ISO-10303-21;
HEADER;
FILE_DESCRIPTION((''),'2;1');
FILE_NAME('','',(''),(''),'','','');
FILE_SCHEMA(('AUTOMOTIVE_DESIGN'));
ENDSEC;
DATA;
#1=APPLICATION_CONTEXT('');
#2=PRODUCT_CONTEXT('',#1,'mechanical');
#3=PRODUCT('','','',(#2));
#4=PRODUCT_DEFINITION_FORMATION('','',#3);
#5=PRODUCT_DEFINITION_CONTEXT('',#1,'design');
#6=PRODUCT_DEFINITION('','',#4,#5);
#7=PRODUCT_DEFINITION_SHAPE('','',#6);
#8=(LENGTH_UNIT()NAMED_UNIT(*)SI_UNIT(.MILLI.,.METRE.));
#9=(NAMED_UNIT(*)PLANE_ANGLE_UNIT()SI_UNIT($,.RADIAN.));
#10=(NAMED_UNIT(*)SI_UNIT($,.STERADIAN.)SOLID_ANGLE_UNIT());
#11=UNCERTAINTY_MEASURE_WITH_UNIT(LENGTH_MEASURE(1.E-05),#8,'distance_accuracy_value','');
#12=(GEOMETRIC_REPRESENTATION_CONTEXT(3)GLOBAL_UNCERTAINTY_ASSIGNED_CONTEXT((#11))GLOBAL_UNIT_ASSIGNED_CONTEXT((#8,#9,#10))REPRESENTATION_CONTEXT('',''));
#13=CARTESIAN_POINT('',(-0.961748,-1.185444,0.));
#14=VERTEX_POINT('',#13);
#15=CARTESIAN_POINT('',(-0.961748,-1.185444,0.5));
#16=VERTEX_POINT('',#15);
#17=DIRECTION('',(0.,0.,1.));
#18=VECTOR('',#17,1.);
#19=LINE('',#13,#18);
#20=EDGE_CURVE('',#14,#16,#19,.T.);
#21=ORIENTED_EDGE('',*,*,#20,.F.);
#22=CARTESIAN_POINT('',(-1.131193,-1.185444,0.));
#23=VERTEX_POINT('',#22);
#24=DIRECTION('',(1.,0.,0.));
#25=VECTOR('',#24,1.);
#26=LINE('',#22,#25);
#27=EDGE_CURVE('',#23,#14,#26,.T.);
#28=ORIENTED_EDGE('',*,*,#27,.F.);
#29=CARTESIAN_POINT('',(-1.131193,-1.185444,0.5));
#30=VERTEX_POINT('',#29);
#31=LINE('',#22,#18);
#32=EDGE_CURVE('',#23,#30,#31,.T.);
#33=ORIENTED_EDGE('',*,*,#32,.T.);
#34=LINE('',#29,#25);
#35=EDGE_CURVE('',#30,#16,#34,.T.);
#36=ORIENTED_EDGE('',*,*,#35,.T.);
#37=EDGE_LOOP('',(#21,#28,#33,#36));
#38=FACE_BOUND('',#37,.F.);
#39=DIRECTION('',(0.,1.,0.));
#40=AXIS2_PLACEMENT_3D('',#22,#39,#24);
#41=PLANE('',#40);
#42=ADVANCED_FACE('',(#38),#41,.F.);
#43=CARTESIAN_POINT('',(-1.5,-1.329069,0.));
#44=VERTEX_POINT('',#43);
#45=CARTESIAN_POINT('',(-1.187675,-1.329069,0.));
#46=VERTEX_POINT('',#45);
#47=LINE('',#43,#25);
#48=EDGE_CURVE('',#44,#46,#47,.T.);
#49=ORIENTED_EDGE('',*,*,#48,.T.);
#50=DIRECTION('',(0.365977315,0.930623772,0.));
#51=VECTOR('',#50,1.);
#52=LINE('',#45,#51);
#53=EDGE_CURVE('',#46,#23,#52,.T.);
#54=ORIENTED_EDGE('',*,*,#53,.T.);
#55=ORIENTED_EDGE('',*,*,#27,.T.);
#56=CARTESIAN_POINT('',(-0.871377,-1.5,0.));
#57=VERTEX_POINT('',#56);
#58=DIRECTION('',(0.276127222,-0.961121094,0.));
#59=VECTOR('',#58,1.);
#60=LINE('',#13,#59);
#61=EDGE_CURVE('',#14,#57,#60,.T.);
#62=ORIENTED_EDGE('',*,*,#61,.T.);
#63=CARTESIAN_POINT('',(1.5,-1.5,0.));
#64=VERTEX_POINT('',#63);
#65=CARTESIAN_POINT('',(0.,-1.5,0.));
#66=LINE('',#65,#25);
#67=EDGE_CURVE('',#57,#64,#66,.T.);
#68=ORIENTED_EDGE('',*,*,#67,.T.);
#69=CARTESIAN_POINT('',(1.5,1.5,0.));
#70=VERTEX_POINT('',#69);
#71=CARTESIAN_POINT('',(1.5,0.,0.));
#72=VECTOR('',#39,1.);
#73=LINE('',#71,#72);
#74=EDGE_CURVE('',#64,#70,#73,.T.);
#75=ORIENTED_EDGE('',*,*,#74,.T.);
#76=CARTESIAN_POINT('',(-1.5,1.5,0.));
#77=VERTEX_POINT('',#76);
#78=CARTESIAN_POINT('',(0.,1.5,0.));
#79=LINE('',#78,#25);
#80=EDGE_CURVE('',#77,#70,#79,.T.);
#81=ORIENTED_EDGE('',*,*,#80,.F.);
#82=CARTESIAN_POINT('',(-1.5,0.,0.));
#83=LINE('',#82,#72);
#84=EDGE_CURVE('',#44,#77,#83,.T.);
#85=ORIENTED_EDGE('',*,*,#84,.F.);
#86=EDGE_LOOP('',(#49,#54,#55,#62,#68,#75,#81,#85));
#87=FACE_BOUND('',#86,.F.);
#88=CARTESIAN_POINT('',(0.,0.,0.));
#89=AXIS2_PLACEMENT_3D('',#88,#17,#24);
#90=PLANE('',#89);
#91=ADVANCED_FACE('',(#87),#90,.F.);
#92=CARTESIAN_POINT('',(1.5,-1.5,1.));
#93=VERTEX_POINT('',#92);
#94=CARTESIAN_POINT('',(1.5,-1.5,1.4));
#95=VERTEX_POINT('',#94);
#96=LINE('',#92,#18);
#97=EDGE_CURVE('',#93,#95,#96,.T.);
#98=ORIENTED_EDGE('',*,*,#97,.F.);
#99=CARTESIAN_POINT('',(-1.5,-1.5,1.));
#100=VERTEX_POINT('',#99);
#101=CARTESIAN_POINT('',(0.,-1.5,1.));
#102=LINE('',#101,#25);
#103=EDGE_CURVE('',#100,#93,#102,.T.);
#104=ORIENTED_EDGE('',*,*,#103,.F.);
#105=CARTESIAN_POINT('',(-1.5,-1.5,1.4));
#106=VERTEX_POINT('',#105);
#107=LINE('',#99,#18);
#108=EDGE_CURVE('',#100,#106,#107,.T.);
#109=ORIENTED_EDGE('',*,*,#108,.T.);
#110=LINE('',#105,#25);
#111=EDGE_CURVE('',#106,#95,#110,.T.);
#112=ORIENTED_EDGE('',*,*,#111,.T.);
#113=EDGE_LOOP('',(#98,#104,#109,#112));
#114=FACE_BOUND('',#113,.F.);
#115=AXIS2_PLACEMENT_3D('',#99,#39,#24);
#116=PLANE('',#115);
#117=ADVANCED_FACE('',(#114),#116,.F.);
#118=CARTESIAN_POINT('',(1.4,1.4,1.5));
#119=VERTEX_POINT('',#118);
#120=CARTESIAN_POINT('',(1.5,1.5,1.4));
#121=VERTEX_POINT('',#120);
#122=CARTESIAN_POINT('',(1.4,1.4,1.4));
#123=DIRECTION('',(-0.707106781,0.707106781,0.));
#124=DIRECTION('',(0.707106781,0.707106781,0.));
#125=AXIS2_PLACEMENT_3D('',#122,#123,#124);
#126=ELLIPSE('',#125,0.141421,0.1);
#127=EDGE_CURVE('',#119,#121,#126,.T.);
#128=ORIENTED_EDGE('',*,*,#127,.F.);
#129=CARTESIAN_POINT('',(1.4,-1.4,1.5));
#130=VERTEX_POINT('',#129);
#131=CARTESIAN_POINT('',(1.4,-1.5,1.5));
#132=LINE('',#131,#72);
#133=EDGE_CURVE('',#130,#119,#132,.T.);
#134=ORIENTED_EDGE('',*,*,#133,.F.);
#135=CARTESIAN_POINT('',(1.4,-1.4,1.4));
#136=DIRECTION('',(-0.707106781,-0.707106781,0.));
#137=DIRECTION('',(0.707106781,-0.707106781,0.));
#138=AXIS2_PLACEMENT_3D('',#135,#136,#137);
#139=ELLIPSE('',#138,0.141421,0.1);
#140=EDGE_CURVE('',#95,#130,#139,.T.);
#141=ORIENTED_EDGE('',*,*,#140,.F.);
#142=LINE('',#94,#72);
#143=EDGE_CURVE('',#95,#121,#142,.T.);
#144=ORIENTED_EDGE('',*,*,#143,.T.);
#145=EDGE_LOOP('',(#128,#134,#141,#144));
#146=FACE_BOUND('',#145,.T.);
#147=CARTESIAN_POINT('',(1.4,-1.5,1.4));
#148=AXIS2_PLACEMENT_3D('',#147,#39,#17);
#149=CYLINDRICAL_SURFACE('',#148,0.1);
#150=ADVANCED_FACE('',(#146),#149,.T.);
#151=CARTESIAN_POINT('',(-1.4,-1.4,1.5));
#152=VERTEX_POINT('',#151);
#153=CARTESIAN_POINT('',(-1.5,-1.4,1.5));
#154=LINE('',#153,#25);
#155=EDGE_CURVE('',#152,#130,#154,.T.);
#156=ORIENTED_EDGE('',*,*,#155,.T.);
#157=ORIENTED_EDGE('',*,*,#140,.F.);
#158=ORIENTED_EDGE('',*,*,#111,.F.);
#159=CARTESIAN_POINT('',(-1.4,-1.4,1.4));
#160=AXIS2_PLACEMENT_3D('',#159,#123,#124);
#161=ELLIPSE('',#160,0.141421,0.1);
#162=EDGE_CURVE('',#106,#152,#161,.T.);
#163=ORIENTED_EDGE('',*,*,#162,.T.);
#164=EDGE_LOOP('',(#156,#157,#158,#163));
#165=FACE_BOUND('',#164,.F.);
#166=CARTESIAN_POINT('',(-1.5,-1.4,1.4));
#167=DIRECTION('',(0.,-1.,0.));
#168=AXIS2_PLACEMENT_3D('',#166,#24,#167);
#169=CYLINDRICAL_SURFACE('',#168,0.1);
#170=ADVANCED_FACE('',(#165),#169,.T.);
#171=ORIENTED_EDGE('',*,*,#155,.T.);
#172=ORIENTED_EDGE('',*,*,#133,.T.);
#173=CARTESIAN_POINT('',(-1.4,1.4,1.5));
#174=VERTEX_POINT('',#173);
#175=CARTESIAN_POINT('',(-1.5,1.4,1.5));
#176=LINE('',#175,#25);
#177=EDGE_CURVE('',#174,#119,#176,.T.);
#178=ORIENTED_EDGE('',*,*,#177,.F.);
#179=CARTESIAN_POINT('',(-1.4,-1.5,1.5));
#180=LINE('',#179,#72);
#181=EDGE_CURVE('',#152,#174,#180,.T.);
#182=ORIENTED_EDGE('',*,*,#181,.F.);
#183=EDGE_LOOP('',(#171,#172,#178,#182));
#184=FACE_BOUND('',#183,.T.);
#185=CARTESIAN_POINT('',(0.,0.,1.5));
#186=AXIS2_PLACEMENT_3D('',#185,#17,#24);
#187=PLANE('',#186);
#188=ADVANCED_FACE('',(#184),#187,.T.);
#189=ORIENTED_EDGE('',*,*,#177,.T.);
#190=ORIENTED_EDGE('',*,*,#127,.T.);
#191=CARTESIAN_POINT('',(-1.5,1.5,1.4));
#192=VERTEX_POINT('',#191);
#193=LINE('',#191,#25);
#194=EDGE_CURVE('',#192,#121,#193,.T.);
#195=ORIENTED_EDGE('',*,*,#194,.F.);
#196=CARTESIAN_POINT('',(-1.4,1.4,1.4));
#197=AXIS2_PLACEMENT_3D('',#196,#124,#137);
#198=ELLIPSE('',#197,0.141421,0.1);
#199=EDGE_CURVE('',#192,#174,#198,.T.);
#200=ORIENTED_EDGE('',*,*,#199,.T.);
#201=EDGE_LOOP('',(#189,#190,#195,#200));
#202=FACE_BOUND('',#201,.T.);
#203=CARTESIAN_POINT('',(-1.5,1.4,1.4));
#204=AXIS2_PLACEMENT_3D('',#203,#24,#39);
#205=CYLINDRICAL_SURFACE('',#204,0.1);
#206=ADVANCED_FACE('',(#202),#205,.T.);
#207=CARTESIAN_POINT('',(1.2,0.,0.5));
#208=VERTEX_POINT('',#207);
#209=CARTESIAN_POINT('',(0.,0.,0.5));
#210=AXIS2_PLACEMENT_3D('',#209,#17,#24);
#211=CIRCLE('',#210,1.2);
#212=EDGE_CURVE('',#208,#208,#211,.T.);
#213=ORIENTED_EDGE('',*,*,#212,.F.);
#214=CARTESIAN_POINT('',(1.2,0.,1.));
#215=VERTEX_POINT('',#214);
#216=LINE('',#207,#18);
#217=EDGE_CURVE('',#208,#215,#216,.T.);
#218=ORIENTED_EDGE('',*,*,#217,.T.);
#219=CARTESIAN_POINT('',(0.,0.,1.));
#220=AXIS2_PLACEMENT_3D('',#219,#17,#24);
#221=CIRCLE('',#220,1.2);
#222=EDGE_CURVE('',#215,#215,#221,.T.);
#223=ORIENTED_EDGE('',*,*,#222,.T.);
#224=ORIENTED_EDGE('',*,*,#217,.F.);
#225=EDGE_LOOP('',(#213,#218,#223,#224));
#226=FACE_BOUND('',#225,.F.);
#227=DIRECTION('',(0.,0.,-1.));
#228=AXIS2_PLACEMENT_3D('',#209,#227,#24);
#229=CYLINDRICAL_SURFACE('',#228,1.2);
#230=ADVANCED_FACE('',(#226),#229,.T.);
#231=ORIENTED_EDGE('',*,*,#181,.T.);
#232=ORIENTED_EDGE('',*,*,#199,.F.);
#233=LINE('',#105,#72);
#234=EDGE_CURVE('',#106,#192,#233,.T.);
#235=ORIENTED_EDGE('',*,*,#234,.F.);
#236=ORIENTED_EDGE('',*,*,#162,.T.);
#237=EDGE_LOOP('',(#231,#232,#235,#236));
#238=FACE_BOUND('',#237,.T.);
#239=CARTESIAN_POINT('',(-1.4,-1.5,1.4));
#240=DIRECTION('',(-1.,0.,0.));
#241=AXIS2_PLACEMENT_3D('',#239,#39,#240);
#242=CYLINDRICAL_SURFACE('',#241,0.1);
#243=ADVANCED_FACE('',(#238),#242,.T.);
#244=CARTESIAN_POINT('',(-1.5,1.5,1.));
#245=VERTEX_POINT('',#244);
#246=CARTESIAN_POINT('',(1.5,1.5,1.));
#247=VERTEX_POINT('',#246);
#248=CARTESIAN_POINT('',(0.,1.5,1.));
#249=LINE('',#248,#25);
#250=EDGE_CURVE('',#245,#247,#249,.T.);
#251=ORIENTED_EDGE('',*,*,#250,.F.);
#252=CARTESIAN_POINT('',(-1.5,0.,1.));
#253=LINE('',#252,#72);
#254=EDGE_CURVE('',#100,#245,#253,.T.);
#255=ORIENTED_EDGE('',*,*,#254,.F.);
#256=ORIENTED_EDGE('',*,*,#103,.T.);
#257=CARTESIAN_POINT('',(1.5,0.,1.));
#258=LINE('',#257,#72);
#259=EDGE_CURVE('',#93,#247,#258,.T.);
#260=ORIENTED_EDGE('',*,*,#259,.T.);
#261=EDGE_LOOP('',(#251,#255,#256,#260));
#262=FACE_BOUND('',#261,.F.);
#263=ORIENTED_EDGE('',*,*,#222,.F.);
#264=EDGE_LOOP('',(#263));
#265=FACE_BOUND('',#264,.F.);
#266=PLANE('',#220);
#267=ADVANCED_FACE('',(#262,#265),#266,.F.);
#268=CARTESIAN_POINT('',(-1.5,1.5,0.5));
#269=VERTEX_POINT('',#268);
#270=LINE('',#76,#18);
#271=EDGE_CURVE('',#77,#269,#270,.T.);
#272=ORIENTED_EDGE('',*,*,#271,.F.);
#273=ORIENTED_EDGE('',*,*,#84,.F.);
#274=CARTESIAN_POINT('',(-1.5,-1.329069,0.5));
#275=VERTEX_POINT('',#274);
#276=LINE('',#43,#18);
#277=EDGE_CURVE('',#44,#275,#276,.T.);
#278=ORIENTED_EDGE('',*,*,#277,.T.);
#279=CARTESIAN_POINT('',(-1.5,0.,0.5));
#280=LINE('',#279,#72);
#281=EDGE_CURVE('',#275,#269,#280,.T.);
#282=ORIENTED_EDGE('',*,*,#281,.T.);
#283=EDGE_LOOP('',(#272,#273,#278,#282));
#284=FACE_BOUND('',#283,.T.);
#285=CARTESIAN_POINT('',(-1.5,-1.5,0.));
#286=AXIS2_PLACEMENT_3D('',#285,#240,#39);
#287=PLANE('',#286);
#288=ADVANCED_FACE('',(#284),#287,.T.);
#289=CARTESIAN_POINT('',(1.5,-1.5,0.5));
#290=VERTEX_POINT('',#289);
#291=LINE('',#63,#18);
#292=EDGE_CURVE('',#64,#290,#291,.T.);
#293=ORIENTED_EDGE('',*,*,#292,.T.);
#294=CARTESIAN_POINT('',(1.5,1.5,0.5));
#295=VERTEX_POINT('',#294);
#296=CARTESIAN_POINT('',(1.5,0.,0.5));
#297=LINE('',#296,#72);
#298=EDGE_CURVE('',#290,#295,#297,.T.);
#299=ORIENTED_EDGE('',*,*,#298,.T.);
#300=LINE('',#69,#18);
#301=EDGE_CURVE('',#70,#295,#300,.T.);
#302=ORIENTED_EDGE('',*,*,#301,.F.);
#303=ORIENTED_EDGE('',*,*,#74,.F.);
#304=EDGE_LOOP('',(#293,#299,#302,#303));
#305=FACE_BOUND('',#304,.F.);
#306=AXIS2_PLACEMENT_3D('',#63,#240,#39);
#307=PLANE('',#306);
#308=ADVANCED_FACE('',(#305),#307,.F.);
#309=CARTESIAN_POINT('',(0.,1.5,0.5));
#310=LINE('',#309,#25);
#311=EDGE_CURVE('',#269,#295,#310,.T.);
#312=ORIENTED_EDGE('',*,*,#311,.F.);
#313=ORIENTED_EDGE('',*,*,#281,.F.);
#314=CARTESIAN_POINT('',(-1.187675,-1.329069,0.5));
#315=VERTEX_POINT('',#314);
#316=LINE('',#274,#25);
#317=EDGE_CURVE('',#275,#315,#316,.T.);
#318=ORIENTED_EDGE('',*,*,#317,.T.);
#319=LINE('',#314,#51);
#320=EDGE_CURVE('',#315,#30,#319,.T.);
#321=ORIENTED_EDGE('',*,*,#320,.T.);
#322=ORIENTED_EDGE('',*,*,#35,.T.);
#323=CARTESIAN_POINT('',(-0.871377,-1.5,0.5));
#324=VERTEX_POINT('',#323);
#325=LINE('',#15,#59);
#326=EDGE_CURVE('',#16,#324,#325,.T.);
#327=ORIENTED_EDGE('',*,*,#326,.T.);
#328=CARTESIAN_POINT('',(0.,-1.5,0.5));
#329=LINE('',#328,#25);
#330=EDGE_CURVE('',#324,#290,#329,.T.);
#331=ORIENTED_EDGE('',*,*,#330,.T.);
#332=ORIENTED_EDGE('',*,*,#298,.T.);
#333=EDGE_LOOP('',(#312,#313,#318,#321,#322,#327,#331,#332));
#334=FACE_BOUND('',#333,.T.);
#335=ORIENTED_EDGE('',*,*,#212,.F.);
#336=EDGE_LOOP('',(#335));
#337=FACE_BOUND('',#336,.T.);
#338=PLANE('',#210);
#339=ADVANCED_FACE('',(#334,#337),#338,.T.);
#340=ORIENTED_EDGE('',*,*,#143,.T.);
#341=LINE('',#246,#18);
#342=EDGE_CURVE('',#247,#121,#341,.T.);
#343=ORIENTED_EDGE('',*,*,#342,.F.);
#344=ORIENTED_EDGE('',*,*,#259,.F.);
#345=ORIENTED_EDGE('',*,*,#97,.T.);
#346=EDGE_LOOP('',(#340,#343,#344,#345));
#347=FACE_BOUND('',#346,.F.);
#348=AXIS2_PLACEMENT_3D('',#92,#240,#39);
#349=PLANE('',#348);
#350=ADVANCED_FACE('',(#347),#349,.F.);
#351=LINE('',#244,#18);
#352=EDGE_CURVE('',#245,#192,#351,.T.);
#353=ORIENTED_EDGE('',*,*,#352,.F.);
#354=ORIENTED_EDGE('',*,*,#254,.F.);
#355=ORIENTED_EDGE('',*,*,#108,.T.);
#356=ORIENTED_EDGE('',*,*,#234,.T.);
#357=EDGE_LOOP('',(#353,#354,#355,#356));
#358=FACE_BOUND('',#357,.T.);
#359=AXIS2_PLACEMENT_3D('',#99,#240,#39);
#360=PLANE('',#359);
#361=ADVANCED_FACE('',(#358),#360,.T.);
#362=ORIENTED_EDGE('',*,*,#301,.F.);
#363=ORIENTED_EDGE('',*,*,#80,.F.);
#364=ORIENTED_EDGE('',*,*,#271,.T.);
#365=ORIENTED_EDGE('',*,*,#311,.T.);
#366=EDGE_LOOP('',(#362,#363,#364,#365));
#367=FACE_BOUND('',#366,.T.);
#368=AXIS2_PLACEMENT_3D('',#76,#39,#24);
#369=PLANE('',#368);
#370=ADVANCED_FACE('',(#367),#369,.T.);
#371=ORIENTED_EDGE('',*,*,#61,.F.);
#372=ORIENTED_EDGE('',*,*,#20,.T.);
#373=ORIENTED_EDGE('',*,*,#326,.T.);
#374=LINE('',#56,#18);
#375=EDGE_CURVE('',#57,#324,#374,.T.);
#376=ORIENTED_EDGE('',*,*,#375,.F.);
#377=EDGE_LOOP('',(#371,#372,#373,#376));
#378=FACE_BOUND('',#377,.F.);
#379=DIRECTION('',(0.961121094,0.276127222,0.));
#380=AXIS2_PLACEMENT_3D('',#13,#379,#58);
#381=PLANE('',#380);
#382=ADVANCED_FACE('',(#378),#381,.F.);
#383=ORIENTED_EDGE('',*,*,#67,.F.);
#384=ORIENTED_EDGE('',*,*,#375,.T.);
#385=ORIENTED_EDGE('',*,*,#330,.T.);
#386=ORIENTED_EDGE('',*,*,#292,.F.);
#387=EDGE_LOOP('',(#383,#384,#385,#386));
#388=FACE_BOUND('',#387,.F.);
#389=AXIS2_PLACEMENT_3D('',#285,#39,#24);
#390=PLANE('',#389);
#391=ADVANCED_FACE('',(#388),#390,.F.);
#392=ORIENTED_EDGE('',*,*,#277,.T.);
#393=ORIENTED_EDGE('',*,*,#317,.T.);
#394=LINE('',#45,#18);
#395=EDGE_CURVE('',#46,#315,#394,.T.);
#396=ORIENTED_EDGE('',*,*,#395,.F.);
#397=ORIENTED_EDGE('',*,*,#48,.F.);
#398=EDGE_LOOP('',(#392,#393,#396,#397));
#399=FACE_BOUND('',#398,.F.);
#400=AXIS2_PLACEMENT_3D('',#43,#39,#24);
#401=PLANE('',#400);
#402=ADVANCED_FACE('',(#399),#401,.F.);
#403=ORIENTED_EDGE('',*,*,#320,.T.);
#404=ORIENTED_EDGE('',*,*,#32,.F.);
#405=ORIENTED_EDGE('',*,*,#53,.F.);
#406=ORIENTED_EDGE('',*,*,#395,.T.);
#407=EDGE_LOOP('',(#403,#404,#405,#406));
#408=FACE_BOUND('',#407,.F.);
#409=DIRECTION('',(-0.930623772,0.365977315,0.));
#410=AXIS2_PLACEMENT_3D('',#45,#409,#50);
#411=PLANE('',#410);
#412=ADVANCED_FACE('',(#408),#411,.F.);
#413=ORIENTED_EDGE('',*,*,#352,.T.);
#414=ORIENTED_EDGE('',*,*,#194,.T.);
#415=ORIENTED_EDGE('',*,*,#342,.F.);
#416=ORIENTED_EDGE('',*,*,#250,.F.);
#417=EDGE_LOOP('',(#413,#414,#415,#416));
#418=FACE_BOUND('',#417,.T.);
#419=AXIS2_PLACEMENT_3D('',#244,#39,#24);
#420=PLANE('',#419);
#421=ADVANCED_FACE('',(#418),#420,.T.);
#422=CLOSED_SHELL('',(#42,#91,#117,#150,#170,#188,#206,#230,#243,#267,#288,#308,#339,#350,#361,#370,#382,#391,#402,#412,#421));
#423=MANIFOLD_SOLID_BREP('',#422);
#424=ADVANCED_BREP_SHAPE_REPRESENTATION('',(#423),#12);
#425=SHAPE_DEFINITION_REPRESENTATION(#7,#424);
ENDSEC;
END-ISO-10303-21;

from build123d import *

# Parameters (mm, degrees)
SKETCH_W     = 3
SKETCH_H     = 3
PAD_DEPTH    = 0.5
SKETCH001_R  = 1.2
PAD001_DEPTH = 0.5
SKETCH002_W  = 3
SKETCH002_H  = 3
PAD002_DEPTH = 0.5
FILLET_R     = 0.1
POCKET_DEPTH = 0.5


with BuildPart() as part:
    # Sketch → Pad (new body)
    with BuildSketch(Plane.XY):
        Rectangle(SKETCH_W, SKETCH_H)
    extrude(amount=PAD_DEPTH)

    # Sketch001 (on Face6 of Pad) → Pad001 (join)
    with BuildSketch(Plane.XY.offset(0.5)):
        Circle(SKETCH001_R)
    extrude(amount=PAD001_DEPTH)

    # Sketch002 (on Face8 of Pad001) → Pad002 (join)
    with BuildSketch(Plane.XY.offset(1)):
        Rectangle(SKETCH002_W, SKETCH002_H)
    extrude(amount=PAD002_DEPTH)

    # Fillet
    fillet_edges = [part.edges().sort_by_distance(p)[0] for p in [
        (0, -1.5, 1.5),
        (1.5, 0, 1.5),
        (0, 1.5, 1.5),
        (-1.5, 0, 1.5),
    ]]
    fillet(fillet_edges, radius=FILLET_R)

    # Sketch003 (on Face17 of Fillet) → Pocket (cut)
    with BuildSketch(Plane(origin=(0, 0, 0), x_dir=(1, 0, 0), z_dir=(0, 0, -1))):
        Polygon((-1.5, 1.5), (-1.5, 1.329069), (-1.187675, 1.329069), (-1.131193, 1.185444), (-0.961748, 1.185444), (-0.871377, 1.5), align=None)
    extrude(amount=-POCKET_DEPTH, mode=Mode.SUBTRACT)


solid = part.part
